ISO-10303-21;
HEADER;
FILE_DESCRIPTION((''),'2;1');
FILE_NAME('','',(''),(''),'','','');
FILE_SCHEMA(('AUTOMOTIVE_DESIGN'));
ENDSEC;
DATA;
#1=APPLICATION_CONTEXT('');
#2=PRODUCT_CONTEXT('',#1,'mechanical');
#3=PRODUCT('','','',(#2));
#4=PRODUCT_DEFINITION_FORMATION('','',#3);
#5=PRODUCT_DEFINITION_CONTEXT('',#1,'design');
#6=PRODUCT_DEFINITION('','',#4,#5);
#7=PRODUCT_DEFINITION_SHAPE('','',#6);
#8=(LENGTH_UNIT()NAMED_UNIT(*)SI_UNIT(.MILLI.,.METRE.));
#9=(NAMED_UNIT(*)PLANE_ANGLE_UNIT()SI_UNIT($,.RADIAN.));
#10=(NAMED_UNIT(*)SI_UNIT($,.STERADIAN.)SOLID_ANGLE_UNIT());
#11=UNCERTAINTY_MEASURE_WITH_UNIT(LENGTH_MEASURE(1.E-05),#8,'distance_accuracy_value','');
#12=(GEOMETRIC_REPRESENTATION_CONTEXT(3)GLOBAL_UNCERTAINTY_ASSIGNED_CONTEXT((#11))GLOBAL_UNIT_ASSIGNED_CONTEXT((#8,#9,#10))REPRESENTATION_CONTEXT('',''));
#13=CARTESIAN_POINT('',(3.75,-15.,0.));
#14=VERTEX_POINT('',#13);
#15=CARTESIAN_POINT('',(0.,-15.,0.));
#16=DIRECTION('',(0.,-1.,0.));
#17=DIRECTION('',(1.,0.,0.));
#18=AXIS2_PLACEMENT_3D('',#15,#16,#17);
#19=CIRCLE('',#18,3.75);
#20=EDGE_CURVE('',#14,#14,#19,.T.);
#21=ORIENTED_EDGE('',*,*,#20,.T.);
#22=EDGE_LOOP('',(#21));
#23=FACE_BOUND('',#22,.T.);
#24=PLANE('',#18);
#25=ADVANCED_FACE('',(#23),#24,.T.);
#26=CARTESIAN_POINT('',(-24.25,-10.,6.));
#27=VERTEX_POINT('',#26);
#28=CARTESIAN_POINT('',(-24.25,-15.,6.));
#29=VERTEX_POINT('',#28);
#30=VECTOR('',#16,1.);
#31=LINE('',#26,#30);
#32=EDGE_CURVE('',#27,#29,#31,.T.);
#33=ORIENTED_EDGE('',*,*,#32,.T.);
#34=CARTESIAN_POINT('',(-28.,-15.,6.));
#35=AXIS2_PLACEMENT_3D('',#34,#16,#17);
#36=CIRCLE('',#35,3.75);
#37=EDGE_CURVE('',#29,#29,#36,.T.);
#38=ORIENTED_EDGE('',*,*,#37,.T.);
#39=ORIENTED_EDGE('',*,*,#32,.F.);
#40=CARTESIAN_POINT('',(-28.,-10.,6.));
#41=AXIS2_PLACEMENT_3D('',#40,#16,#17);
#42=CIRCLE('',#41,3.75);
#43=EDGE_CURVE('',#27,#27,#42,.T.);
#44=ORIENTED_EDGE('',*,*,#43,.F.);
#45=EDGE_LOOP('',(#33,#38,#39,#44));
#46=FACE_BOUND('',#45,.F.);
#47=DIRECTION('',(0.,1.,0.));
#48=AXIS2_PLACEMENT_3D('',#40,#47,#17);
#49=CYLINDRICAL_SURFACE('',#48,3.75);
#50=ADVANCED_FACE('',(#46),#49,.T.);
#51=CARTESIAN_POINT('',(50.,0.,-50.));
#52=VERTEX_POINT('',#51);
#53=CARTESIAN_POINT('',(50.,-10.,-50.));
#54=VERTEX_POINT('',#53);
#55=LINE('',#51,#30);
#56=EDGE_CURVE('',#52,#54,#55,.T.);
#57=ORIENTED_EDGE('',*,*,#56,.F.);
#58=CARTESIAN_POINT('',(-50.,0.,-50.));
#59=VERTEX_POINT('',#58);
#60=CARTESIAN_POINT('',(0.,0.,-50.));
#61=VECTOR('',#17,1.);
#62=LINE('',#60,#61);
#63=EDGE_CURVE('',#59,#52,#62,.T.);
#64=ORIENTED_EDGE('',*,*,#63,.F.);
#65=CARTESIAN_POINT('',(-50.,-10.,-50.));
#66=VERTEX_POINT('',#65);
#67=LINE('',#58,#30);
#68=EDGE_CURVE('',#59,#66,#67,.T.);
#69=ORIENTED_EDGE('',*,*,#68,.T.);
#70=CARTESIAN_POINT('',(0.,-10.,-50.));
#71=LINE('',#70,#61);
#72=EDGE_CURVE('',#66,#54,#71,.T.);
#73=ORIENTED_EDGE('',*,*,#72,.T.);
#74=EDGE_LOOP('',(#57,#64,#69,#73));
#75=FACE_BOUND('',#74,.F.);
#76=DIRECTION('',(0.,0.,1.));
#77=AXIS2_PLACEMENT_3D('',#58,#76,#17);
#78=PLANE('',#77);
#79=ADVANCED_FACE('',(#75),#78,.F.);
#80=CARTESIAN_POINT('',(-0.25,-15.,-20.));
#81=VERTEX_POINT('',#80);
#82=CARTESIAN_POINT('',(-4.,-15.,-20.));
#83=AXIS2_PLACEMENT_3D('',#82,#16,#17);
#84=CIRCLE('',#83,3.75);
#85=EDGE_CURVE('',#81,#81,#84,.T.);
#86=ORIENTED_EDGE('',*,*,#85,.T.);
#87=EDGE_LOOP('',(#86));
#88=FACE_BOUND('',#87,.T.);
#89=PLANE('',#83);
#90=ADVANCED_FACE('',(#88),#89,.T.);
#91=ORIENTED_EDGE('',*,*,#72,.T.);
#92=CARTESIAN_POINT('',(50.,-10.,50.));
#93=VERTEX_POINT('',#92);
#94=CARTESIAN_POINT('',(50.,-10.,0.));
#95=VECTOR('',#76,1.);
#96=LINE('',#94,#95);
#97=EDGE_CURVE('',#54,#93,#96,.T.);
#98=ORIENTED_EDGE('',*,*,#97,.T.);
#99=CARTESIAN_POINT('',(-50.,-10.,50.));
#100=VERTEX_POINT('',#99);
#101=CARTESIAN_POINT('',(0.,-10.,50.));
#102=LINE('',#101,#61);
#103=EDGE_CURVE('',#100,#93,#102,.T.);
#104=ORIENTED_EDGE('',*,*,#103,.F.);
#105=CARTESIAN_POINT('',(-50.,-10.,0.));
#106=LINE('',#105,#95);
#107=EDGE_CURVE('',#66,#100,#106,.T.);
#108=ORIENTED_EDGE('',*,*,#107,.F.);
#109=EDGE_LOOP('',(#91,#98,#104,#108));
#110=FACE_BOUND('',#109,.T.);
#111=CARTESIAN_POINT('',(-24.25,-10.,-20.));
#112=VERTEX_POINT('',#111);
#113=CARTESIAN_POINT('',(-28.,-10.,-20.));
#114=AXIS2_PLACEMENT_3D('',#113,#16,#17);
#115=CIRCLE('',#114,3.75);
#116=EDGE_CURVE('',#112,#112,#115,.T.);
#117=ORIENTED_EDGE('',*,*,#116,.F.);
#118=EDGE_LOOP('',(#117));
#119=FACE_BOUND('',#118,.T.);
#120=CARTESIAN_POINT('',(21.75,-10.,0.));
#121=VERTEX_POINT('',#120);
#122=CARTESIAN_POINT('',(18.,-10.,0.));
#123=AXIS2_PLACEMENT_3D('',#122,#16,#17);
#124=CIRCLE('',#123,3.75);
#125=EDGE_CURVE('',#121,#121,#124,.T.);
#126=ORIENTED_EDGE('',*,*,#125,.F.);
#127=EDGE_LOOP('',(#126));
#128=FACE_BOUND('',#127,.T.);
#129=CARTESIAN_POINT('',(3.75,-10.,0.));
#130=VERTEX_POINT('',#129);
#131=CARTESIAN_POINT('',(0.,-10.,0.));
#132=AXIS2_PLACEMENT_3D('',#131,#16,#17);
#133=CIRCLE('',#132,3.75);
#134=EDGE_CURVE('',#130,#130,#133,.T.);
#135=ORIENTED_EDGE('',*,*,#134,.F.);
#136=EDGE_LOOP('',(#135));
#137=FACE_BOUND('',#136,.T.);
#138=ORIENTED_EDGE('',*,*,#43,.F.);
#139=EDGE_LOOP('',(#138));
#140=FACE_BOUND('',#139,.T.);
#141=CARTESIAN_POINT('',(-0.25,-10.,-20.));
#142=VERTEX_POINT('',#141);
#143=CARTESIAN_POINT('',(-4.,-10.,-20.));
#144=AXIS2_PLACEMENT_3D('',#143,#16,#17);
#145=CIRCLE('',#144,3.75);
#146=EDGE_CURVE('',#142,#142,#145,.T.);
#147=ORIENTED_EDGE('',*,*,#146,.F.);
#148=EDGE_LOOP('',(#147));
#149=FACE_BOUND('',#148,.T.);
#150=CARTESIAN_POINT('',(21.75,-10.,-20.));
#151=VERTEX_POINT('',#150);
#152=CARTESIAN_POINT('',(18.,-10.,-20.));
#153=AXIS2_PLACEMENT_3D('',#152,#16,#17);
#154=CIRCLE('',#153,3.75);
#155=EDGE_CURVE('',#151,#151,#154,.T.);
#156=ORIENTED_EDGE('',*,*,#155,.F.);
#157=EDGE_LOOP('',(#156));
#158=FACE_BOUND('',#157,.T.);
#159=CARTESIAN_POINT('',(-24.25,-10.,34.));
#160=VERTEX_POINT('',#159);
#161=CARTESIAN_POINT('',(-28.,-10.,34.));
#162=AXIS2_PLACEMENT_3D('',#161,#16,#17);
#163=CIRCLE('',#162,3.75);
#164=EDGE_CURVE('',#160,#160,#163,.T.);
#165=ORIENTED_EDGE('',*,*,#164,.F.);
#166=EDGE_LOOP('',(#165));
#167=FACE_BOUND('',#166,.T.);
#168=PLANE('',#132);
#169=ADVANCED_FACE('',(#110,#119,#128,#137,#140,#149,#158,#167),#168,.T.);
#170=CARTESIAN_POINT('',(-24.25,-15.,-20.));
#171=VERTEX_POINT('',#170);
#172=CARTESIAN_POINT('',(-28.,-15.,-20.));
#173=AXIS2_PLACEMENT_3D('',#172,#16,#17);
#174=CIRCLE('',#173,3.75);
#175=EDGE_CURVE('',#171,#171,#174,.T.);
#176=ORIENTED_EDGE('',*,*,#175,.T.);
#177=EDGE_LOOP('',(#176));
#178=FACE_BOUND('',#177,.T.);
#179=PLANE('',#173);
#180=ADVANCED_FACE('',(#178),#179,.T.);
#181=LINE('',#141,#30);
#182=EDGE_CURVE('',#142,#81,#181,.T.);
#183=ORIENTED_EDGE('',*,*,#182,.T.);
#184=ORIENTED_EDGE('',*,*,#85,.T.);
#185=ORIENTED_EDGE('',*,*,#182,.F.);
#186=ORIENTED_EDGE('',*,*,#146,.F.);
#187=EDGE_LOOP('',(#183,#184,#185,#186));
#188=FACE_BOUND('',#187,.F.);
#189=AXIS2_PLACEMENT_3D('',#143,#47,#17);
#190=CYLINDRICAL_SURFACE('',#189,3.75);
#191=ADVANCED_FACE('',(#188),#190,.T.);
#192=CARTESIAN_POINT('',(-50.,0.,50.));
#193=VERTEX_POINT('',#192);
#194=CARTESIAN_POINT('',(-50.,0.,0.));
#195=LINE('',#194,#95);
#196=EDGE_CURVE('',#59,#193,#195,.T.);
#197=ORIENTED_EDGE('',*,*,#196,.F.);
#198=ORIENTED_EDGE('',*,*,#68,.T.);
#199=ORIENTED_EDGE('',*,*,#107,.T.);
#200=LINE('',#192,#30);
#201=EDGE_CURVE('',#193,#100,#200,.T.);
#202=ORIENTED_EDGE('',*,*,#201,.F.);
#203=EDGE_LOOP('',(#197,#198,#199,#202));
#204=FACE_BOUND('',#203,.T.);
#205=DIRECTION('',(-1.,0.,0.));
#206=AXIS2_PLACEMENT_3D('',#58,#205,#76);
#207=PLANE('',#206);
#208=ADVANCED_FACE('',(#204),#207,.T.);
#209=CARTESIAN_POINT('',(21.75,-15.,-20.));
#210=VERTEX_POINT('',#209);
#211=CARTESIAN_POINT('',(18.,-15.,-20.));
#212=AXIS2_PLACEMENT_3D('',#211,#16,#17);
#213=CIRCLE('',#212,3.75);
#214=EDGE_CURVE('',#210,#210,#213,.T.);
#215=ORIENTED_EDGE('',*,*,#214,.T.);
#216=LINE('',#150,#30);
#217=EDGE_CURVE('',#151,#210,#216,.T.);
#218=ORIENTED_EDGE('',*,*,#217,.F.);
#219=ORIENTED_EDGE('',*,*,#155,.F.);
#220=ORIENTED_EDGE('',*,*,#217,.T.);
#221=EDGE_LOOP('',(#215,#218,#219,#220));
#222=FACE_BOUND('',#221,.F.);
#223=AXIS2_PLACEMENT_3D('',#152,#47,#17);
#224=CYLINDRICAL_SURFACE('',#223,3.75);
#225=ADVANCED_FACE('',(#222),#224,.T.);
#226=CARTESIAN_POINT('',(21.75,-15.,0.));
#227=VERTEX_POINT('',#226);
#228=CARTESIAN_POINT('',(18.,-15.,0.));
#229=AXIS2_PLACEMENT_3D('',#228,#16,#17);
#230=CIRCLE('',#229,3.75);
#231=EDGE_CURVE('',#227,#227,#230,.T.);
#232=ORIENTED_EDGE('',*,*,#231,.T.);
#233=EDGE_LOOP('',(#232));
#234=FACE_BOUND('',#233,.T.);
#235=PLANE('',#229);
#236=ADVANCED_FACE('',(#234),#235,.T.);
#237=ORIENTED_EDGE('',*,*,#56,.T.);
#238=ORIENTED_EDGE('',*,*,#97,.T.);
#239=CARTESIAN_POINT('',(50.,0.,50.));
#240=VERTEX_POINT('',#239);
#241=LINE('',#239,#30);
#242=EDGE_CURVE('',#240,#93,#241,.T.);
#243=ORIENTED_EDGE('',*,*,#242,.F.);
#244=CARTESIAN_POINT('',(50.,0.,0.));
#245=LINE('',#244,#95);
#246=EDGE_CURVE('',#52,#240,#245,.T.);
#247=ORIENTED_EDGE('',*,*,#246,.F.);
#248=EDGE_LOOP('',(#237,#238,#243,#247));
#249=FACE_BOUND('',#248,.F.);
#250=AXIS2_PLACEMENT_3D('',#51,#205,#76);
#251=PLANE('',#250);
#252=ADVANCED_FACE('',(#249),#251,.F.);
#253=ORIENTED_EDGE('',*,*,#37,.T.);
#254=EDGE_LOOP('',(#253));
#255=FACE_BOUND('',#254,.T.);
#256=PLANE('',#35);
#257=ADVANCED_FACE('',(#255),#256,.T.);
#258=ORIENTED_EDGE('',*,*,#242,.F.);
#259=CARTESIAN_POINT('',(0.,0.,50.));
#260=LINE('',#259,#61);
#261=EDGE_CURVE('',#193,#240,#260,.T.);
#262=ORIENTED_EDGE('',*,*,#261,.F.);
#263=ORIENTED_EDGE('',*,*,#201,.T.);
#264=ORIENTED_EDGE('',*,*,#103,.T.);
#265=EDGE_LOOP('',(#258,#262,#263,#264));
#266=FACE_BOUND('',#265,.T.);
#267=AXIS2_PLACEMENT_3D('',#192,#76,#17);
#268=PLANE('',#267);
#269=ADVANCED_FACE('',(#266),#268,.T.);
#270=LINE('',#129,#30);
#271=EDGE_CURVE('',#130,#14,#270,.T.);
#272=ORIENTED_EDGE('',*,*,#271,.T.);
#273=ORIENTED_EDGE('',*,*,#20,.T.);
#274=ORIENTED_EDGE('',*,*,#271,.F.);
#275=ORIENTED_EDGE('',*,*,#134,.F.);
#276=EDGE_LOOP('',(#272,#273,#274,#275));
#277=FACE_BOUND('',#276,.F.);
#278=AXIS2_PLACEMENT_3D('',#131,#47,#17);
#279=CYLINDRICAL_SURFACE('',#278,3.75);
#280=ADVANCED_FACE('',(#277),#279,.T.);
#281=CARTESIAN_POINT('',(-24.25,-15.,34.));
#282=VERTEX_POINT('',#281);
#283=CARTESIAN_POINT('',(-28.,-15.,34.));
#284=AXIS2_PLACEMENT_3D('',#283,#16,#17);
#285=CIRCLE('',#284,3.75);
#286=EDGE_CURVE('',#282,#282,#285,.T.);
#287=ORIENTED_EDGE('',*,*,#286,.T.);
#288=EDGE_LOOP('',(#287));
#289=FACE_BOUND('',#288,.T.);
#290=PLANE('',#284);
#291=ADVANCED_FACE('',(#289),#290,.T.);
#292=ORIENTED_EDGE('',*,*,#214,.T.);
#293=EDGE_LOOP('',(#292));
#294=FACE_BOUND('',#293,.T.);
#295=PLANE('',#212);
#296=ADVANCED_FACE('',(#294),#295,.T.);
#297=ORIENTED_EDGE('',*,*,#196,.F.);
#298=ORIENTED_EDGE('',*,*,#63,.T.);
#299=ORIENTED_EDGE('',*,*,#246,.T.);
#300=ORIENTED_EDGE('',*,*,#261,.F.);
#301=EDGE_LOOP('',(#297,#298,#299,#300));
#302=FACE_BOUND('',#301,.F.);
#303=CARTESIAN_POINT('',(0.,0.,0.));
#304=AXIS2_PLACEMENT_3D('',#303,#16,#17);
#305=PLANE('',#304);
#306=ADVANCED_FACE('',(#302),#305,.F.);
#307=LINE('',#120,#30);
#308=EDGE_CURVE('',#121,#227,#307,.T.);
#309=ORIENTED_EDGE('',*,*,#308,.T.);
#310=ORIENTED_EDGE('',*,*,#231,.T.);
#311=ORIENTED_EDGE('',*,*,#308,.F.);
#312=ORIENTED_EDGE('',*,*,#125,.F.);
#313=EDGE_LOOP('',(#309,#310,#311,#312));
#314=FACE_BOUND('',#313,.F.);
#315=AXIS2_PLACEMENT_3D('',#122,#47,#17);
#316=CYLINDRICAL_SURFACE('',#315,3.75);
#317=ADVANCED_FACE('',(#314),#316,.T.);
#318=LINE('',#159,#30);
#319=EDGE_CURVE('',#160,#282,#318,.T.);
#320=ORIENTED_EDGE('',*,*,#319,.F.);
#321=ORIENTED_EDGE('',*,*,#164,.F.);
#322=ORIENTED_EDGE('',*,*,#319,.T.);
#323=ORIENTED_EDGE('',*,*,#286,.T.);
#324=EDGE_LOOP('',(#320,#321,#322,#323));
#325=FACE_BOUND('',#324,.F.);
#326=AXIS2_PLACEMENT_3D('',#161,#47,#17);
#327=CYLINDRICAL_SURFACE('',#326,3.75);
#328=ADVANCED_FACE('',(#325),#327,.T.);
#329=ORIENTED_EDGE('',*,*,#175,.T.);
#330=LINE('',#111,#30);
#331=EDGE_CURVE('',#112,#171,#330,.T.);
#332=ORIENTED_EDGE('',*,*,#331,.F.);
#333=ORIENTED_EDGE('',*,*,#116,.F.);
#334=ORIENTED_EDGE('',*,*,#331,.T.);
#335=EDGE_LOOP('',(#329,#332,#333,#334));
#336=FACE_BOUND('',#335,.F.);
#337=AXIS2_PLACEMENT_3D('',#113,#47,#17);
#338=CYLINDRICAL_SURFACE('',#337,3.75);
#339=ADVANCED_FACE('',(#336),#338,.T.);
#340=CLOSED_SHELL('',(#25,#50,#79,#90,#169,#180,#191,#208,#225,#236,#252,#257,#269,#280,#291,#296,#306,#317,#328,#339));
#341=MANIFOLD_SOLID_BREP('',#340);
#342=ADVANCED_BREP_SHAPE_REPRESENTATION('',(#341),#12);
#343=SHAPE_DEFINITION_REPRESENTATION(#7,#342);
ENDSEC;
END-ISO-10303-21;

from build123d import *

# Parameters (mm, degrees)
F0_W      = 100
F0_H      = 100
F1_DEPTH  = 10
F2_R      = 3.75
F3_DEPTH  = 5
F4_R      = 3.75
F5_DEPTH  = 5
F7_R      = 3.75
F8_DEPTH  = 5
F9_R      = 3.75
F10_DEPTH = 5
F11_R     = 3.75
F12_DEPTH = 5
F13_R     = 3.75
F14_DEPTH = 5
F6_R      = 3.75
F15_DEPTH = 5


with BuildPart() as f1:
    # F0 (on Front) → F1 (new body)
    with BuildSketch(Plane.XZ):
        Rectangle(F0_W, F0_H)
    extrude(amount=F1_DEPTH)

    # F2 (on face) → F3 (join)
    with BuildSketch(Plane.XZ.offset(10)):
        Circle(F2_R)
    extrude(amount=F3_DEPTH)

    # F4 (on face) → F5 (join)
    with BuildSketch(Plane.XZ.offset(10)):
        with Locations((18, 0)):
            Circle(F4_R)
    extrude(amount=F5_DEPTH)

    # F7 (on face) → F8 (join)
    with BuildSketch(Plane.XZ.offset(10)):
        with Locations((-4, -20)):
            Circle(F7_R)
    extrude(amount=F8_DEPTH)

    # F9 (on face) → F10 (join)
    with BuildSketch(Plane.XZ.offset(10)):
        with Locations((-28, -20)):
            Circle(F9_R)
    extrude(amount=F10_DEPTH)

    # F11 (on face) → F12 (join)
    with BuildSketch(Plane.XZ.offset(10)):
        with Locations((-28, 6)):
            Circle(F11_R)
    extrude(amount=F12_DEPTH)

    # F13 (on face) → F14 (join)
    with BuildSketch(Plane.XZ.offset(10)):
        with Locations((-28, 34)):
            Circle(F13_R)
    extrude(amount=F14_DEPTH)

    # F6 (on face) → F15 (join)
    with BuildSketch(Plane.XZ.offset(10)):
        with Locations((18, -20)):
            Circle(F6_R)
    extrude(amount=F15_DEPTH)


solid = f1.part
